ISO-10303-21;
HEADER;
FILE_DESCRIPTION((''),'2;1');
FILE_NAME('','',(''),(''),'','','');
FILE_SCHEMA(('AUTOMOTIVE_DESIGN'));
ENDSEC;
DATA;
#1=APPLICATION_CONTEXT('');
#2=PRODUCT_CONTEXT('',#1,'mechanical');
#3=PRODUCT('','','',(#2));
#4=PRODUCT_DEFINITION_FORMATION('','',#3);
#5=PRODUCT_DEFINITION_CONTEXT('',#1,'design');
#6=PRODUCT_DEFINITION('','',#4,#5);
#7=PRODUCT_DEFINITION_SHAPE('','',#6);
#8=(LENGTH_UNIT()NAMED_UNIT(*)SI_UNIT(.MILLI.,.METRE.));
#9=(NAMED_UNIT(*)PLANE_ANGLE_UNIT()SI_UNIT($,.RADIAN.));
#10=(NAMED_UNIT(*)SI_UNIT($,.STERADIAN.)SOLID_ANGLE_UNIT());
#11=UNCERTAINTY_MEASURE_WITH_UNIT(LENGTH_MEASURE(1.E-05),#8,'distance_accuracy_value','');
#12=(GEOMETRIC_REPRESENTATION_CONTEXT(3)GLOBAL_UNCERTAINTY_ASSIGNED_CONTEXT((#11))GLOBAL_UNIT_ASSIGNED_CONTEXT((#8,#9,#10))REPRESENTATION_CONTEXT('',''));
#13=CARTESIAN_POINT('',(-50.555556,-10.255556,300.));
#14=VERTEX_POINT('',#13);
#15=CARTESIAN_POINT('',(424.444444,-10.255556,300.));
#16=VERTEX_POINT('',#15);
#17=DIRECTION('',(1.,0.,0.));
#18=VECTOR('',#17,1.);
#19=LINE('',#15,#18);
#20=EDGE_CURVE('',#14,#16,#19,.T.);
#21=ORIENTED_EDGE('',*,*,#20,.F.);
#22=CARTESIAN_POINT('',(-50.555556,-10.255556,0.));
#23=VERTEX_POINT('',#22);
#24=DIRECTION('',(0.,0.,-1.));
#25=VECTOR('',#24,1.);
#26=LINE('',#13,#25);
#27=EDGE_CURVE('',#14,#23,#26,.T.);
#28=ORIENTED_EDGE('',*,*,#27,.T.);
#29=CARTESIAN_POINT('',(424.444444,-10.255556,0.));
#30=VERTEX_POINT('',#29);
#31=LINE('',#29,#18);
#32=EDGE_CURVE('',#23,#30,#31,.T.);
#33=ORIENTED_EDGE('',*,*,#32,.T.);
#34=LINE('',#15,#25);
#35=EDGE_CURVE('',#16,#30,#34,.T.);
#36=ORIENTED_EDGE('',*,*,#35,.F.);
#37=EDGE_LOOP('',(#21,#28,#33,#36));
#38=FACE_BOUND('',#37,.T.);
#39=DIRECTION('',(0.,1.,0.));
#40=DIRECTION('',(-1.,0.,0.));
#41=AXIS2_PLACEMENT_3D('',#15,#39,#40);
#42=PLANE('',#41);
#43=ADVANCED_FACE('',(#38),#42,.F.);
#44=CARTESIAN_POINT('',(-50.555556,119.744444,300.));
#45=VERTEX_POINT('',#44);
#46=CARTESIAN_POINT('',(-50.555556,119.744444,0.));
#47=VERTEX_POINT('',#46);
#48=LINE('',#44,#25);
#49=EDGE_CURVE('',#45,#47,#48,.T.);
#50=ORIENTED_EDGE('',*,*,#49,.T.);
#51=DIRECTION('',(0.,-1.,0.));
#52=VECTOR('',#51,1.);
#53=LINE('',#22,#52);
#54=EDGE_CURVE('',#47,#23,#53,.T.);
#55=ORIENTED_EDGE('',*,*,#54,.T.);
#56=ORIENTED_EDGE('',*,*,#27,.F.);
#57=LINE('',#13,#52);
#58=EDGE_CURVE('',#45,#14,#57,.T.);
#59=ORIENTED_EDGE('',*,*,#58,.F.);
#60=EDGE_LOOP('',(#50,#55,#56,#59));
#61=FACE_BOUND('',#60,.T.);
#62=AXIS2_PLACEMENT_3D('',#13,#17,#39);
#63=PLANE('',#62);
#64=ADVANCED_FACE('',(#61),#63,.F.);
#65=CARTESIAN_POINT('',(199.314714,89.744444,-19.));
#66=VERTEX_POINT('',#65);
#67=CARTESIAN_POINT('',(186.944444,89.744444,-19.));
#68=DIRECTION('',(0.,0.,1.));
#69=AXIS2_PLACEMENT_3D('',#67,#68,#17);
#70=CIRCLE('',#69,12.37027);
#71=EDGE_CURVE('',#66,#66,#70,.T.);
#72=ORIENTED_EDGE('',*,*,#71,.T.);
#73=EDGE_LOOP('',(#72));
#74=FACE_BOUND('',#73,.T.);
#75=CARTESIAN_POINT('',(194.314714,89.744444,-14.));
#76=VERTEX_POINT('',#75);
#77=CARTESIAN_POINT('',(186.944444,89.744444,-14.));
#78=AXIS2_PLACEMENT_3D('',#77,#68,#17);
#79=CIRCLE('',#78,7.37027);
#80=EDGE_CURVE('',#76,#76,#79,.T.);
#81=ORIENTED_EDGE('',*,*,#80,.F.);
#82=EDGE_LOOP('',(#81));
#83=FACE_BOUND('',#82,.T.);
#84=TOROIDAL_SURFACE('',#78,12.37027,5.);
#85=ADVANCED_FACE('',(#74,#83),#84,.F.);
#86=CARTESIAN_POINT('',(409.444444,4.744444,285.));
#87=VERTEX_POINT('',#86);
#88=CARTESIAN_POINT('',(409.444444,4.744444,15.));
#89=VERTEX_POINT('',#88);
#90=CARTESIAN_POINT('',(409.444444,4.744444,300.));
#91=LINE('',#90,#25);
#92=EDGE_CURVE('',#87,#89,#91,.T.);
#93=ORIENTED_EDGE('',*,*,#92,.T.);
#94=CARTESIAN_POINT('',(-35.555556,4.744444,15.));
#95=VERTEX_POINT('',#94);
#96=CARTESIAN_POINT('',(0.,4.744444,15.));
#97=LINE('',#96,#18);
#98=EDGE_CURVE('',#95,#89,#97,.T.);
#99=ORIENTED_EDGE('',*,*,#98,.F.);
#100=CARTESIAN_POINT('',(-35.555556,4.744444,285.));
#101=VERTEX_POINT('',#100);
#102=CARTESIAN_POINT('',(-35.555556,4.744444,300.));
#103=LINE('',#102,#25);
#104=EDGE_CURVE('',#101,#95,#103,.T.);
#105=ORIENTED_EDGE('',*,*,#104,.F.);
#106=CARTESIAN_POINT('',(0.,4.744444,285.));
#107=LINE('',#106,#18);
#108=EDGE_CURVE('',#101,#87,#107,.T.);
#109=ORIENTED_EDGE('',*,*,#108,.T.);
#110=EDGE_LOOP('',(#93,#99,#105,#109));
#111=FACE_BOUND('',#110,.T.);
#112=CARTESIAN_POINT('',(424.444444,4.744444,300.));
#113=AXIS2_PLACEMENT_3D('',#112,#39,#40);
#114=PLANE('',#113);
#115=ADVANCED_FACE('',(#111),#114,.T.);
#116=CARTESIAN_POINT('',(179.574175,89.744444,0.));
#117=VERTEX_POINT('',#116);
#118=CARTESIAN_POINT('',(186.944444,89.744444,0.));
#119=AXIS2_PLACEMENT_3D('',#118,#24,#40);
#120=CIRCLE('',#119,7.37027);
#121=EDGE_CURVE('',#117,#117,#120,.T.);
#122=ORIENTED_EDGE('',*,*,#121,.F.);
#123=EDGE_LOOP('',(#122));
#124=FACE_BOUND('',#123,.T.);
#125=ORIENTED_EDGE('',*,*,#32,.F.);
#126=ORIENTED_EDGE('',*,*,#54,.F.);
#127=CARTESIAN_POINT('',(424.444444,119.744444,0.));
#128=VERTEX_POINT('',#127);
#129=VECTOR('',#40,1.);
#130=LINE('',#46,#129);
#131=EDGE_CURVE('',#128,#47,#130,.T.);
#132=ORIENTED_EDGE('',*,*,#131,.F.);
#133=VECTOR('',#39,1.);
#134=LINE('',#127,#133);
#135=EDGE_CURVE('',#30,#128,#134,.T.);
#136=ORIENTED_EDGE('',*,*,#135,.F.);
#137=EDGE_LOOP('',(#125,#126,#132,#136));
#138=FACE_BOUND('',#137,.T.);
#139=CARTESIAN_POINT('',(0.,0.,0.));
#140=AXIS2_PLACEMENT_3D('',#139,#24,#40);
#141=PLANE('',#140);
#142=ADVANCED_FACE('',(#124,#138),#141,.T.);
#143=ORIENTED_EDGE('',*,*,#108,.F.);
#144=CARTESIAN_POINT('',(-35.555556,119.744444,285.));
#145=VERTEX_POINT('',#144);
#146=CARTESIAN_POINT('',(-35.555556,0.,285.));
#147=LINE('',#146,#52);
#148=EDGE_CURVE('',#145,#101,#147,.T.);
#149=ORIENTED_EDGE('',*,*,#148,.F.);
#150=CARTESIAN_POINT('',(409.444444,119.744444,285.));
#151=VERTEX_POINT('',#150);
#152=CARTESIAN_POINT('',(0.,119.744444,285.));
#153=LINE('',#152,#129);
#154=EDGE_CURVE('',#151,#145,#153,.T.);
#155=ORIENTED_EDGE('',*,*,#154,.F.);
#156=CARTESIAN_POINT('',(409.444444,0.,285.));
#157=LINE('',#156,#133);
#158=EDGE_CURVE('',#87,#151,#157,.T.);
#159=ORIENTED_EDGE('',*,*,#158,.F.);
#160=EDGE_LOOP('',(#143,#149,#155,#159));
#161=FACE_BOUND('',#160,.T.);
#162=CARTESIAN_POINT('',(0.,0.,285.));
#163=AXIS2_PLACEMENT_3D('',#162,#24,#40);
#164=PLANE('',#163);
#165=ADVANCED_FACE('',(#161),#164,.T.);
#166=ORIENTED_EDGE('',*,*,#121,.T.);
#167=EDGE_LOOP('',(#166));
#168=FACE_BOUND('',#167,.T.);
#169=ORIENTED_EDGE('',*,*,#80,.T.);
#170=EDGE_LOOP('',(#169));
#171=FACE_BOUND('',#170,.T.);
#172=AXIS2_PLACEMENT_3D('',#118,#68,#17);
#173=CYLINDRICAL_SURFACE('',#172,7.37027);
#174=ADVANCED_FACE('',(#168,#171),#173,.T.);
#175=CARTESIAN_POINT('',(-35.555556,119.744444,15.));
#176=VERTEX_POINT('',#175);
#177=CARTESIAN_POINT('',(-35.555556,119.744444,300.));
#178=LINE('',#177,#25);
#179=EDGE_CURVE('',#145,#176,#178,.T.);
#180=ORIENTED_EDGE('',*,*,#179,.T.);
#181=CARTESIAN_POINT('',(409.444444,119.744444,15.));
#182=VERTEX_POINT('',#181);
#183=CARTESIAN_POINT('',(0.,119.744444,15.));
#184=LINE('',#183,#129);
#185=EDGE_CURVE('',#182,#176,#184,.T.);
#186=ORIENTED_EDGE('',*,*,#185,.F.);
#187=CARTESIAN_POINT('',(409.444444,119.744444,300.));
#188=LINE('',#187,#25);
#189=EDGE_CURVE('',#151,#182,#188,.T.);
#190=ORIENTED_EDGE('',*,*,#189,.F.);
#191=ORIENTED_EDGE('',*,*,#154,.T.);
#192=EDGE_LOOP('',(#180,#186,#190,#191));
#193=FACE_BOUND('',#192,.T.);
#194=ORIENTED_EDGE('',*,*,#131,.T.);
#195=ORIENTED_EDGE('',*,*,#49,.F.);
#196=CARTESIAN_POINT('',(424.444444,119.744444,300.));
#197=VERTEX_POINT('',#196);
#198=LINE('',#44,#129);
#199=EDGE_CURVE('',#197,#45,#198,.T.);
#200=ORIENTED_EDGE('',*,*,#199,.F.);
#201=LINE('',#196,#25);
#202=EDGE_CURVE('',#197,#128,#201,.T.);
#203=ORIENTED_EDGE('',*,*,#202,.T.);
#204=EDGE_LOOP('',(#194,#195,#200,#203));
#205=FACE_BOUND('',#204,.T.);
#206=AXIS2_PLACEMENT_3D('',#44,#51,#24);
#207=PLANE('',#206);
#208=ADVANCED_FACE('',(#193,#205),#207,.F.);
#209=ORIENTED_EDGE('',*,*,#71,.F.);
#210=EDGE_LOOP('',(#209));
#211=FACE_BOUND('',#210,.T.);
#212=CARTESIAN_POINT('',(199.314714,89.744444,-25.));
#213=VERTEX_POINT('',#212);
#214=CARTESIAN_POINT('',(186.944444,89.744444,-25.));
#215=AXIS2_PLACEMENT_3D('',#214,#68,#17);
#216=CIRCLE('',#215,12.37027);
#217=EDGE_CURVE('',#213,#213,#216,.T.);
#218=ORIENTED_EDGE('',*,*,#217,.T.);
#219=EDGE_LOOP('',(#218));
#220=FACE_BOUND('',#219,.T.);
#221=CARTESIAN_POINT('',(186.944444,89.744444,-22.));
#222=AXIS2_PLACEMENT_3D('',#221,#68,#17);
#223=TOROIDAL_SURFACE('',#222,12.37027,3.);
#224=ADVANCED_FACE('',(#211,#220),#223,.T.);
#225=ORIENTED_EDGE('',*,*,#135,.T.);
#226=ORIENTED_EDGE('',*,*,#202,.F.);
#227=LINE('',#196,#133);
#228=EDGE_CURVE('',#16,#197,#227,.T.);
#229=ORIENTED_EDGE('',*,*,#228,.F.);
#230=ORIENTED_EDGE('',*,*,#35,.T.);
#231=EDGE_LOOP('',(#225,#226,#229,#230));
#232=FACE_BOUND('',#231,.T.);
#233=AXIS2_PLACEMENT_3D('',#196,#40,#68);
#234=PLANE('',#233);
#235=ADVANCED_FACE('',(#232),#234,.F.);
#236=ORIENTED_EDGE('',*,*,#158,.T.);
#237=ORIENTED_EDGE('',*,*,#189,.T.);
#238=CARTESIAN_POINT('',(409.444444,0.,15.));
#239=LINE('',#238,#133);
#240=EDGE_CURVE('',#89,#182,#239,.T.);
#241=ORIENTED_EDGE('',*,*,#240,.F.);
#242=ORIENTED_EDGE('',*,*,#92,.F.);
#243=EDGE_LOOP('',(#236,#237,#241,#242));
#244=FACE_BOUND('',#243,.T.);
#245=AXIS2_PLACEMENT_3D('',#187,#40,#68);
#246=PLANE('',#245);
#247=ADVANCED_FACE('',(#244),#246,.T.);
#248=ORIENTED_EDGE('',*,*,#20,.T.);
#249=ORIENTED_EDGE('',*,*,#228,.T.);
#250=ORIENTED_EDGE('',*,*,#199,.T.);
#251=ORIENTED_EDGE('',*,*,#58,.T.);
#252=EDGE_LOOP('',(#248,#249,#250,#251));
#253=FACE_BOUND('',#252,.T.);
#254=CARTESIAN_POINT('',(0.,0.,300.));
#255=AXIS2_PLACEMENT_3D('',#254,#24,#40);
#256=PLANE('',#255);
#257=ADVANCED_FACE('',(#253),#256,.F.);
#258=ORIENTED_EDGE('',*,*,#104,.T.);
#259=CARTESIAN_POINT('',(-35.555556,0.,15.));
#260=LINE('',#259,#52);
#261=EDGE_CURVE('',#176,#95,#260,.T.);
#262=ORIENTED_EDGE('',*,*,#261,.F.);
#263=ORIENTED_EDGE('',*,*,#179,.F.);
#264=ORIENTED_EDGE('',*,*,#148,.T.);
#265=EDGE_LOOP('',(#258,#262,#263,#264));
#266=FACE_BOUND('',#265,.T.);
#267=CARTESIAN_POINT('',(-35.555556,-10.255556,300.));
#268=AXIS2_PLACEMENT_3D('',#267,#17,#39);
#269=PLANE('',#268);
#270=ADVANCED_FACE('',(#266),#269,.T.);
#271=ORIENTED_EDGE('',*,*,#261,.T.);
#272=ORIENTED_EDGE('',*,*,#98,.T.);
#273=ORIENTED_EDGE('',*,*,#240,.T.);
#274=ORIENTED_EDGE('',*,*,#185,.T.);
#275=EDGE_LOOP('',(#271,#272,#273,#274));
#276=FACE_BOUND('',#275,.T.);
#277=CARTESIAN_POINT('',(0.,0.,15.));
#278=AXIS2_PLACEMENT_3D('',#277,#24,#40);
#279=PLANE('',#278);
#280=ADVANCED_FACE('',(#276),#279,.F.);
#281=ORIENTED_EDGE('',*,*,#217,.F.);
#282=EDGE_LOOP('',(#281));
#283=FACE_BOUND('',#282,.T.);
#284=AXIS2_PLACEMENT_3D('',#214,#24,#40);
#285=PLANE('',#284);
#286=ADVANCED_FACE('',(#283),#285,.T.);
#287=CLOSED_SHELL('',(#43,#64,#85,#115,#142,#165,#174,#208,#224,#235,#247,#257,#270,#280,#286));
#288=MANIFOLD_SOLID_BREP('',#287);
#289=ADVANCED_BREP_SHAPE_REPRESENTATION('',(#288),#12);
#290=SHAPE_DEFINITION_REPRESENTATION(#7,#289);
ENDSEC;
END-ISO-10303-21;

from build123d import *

# Parameters (mm, degrees)
SKETCH1_W           = 475
SKETCH1_H           = 130
BOSS_EXTRUDE1_DEPTH = 300
SHELL1_T            = -15


with BuildPart() as part:
    # Sketch1 → Boss-Extrude1 (new body)
    with BuildSketch(Plane.XY):
        with Locations((186.944444444, 54.744444444)):
            Rectangle(SKETCH1_W, SKETCH1_H)
    extrude(amount=BOSS_EXTRUDE1_DEPTH)

    # Shell1
    shell1_openings = [part.faces().sort_by_distance(p)[0] for p in [
        (186.944444444, 119.744444444, 150),
    ]]
    offset(amount=SHELL1_T, openings=shell1_openings, kind=Kind.INTERSECTION)

    # Sketch3 → Revolve2 (revolve)
    with BuildSketch(Plane.ZY.offset(-186.944444444), mode=Mode.PRIVATE) as revolve2_sk:
        with BuildLine():
            Line((0, 89.744444444), (-25, 89.744444444))
            Line((-25, 89.744444444), (-25, 102.114714247))
            ThreePointArc((-25, 102.114714247), (-22, 105.114714247), (-19, 102.114714247))
            ThreePointArc((-19, 102.114714247), (-17.535533906, 98.579180341), (-14, 97.114714247))
            Line((-14, 97.114714247), (0, 97.114714247))
            Line((0, 97.114714247), (0, 89.744444444))
        make_face()
    revolve(revolve2_sk.sketch.rotate(Axis((186.944444444, 89.744444444, 0), (0, 0, -1)), 90), axis=Axis((186.944444444, 89.744444444, 0), (0, 0, -1)))


solid = part.part
